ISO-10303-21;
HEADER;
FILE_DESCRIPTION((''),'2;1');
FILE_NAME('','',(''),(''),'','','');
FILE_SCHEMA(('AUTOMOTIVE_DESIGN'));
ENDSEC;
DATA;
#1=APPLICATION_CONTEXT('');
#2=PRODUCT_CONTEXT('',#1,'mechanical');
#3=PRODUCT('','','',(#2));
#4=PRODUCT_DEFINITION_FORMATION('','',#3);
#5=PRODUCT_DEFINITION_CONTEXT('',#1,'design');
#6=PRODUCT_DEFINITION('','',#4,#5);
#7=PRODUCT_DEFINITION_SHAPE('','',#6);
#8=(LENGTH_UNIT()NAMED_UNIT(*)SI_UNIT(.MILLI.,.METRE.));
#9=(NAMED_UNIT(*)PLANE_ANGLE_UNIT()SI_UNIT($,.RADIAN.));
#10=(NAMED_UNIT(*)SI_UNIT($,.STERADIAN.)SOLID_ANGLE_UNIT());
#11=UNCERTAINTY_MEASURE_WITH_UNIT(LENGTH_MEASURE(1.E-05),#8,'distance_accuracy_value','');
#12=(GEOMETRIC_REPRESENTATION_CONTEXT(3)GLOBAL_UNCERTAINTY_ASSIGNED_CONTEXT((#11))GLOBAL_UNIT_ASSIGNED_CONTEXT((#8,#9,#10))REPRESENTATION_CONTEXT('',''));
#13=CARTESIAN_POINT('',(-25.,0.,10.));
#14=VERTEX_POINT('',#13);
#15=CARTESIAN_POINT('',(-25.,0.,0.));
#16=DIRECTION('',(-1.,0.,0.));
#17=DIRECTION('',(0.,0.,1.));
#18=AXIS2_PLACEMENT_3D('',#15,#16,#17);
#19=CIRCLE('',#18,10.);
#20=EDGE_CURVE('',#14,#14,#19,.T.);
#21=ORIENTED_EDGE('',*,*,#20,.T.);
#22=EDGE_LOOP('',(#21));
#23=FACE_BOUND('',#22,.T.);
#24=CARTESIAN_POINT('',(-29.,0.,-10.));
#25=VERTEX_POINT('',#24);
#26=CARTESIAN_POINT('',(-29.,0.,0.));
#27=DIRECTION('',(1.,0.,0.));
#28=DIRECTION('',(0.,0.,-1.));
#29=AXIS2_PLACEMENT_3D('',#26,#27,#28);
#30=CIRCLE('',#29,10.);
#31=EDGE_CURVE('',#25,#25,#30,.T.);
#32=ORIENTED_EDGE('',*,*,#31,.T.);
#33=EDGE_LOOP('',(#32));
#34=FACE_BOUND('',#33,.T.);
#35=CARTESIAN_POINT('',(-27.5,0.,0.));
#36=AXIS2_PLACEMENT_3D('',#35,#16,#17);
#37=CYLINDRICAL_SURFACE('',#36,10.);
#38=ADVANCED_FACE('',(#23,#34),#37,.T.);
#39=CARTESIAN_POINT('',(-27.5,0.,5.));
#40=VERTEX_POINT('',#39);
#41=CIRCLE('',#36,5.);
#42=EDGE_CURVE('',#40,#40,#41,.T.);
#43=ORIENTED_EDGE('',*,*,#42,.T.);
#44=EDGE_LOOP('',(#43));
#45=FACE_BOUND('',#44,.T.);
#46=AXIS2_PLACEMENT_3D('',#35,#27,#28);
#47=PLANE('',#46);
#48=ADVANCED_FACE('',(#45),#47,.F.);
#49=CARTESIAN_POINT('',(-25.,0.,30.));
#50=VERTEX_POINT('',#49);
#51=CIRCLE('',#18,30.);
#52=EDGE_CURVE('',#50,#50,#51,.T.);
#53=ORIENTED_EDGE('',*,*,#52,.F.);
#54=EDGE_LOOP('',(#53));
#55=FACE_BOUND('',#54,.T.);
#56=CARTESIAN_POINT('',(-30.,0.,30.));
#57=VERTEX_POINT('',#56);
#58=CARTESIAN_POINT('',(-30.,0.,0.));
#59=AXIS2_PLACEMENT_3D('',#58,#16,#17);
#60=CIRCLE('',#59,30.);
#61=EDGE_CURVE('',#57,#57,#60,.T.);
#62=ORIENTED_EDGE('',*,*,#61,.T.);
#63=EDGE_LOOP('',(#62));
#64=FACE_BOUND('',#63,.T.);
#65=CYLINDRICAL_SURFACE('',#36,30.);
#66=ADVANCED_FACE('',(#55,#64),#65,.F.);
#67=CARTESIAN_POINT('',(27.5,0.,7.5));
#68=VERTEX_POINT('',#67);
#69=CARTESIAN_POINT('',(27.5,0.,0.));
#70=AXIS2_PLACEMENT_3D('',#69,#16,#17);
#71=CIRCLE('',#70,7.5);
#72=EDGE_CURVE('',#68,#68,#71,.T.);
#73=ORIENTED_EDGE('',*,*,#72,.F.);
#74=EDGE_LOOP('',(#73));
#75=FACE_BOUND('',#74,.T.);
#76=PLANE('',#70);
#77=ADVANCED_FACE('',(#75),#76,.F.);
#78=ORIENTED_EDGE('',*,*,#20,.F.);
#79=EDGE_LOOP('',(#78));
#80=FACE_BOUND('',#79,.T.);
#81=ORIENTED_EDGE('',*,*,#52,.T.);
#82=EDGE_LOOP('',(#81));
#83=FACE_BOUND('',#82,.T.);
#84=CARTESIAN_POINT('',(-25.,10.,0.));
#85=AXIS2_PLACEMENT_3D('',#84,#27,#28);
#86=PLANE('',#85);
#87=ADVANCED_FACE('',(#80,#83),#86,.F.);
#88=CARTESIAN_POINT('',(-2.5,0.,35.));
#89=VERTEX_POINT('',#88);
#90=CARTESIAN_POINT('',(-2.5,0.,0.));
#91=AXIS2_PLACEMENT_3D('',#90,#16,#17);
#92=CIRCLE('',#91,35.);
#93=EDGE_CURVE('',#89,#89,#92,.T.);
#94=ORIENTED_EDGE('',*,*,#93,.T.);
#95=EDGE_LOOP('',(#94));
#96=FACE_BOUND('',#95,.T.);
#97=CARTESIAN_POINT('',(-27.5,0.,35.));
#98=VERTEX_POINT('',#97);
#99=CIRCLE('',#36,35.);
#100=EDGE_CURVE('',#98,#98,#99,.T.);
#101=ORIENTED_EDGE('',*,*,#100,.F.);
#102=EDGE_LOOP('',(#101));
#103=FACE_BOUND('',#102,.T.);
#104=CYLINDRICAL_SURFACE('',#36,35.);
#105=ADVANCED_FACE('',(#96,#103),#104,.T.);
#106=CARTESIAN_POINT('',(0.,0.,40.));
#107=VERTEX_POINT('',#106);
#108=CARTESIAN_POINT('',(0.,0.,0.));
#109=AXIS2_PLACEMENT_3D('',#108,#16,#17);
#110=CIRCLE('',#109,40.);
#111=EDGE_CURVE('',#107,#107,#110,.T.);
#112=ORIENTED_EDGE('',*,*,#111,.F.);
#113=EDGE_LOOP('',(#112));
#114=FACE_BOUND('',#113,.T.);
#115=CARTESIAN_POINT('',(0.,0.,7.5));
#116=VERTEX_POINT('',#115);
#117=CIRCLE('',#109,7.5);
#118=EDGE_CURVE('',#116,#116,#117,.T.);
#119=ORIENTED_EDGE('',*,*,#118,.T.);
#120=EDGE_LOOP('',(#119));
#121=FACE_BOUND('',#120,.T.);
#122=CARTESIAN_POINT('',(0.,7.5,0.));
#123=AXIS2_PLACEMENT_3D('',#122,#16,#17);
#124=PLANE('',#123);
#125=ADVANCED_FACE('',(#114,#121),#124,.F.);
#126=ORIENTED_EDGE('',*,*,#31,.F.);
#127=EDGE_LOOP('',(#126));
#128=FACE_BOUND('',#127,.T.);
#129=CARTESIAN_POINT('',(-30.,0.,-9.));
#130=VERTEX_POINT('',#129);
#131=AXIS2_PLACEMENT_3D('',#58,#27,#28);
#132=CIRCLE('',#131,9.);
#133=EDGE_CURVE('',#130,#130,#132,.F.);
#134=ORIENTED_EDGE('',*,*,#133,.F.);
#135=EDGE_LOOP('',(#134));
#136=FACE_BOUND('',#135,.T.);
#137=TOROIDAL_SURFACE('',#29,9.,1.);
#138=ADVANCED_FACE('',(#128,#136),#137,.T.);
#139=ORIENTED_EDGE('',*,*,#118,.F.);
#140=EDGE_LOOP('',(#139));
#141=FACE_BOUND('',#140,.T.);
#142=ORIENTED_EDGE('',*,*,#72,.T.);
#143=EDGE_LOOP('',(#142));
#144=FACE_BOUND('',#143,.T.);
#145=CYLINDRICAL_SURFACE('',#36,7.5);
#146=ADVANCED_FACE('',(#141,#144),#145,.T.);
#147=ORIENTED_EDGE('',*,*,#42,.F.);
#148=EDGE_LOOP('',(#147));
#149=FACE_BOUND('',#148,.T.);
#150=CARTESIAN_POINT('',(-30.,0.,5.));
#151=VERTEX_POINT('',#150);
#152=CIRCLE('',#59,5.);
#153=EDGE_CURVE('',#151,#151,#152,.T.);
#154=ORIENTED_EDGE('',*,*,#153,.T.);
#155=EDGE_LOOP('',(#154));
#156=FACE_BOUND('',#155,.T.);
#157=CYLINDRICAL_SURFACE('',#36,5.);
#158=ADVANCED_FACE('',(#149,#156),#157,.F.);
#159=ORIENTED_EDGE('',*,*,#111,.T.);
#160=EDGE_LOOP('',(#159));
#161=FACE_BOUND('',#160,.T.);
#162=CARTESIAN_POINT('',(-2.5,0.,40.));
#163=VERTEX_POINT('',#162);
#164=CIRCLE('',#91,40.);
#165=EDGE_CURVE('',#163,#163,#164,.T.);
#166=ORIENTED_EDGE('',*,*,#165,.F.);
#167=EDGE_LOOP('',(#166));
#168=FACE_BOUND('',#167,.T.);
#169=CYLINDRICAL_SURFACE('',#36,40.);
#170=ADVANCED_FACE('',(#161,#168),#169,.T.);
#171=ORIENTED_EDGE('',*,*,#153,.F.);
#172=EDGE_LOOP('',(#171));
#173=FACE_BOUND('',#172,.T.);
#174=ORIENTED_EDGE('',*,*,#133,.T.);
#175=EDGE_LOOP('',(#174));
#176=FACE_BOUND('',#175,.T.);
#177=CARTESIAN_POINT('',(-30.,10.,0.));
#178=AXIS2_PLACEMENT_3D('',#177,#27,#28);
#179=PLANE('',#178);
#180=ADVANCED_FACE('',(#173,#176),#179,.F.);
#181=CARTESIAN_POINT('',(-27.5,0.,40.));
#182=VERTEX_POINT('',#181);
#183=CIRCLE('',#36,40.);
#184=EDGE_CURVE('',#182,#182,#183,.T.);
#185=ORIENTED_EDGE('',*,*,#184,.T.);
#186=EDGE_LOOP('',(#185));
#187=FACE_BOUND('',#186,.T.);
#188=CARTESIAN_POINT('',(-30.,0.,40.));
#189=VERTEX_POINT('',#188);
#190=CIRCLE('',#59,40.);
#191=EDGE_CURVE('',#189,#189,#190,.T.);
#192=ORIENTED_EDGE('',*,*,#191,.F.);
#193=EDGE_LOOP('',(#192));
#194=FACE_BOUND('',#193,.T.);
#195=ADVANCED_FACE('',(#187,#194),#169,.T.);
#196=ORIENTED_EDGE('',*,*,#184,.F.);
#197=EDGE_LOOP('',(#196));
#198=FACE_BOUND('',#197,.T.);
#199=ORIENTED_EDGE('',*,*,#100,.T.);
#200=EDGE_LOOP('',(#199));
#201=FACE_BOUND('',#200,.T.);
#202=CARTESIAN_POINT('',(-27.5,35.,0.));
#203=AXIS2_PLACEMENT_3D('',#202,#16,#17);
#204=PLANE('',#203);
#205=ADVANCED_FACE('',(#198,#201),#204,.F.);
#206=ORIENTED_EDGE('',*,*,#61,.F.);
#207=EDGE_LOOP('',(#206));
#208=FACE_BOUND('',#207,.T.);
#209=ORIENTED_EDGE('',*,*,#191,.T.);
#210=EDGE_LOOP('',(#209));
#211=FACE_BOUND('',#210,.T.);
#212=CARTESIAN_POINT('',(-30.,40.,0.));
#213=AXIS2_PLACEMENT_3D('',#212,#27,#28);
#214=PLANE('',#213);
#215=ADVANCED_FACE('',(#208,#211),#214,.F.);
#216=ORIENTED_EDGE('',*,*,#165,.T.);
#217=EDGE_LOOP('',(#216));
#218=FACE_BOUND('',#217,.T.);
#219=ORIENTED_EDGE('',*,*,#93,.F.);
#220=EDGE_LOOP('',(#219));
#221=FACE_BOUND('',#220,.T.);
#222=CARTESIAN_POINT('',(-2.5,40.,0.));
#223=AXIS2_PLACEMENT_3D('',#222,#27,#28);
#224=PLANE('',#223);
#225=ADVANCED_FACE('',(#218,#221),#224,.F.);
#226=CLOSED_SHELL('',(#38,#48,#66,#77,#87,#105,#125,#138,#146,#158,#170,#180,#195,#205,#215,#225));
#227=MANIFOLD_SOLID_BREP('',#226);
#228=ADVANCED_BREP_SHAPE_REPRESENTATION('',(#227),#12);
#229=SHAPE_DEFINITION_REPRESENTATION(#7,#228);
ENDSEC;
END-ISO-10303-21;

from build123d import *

# Parameters (mm, degrees)
FILLET1_R = 1


with BuildPart() as part:
    # Sketch1 → Revolve1 (revolve)
    with BuildSketch(Plane.XY, mode=Mode.PRIVATE) as revolve1_sk:
        Polygon((0, 7.5), (0, 40), (-2.5, 40), (-2.5, 35), (-27.5, 35), (-27.5, 40), (-30, 40), (-30, 30), (-25, 30), (-25, 10), (-30, 10), (-30, 5), (-27.5, 5), (-27.5, 0), (27.5, 0), (27.5, 7.5), align=None)
    revolve(revolve1_sk.sketch.rotate(Axis((-27.5, 0, 0), (1, 0, 0)), 90), axis=Axis((-27.5, 0, 0), (1, 0, 0)))

    # Fillet1
    fillet1_edges = [part.edges().sort_by_distance(p)[0] for p in [
        (-30, 0, -10),
    ]]
    fillet(fillet1_edges, radius=FILLET1_R)


solid = part.part
